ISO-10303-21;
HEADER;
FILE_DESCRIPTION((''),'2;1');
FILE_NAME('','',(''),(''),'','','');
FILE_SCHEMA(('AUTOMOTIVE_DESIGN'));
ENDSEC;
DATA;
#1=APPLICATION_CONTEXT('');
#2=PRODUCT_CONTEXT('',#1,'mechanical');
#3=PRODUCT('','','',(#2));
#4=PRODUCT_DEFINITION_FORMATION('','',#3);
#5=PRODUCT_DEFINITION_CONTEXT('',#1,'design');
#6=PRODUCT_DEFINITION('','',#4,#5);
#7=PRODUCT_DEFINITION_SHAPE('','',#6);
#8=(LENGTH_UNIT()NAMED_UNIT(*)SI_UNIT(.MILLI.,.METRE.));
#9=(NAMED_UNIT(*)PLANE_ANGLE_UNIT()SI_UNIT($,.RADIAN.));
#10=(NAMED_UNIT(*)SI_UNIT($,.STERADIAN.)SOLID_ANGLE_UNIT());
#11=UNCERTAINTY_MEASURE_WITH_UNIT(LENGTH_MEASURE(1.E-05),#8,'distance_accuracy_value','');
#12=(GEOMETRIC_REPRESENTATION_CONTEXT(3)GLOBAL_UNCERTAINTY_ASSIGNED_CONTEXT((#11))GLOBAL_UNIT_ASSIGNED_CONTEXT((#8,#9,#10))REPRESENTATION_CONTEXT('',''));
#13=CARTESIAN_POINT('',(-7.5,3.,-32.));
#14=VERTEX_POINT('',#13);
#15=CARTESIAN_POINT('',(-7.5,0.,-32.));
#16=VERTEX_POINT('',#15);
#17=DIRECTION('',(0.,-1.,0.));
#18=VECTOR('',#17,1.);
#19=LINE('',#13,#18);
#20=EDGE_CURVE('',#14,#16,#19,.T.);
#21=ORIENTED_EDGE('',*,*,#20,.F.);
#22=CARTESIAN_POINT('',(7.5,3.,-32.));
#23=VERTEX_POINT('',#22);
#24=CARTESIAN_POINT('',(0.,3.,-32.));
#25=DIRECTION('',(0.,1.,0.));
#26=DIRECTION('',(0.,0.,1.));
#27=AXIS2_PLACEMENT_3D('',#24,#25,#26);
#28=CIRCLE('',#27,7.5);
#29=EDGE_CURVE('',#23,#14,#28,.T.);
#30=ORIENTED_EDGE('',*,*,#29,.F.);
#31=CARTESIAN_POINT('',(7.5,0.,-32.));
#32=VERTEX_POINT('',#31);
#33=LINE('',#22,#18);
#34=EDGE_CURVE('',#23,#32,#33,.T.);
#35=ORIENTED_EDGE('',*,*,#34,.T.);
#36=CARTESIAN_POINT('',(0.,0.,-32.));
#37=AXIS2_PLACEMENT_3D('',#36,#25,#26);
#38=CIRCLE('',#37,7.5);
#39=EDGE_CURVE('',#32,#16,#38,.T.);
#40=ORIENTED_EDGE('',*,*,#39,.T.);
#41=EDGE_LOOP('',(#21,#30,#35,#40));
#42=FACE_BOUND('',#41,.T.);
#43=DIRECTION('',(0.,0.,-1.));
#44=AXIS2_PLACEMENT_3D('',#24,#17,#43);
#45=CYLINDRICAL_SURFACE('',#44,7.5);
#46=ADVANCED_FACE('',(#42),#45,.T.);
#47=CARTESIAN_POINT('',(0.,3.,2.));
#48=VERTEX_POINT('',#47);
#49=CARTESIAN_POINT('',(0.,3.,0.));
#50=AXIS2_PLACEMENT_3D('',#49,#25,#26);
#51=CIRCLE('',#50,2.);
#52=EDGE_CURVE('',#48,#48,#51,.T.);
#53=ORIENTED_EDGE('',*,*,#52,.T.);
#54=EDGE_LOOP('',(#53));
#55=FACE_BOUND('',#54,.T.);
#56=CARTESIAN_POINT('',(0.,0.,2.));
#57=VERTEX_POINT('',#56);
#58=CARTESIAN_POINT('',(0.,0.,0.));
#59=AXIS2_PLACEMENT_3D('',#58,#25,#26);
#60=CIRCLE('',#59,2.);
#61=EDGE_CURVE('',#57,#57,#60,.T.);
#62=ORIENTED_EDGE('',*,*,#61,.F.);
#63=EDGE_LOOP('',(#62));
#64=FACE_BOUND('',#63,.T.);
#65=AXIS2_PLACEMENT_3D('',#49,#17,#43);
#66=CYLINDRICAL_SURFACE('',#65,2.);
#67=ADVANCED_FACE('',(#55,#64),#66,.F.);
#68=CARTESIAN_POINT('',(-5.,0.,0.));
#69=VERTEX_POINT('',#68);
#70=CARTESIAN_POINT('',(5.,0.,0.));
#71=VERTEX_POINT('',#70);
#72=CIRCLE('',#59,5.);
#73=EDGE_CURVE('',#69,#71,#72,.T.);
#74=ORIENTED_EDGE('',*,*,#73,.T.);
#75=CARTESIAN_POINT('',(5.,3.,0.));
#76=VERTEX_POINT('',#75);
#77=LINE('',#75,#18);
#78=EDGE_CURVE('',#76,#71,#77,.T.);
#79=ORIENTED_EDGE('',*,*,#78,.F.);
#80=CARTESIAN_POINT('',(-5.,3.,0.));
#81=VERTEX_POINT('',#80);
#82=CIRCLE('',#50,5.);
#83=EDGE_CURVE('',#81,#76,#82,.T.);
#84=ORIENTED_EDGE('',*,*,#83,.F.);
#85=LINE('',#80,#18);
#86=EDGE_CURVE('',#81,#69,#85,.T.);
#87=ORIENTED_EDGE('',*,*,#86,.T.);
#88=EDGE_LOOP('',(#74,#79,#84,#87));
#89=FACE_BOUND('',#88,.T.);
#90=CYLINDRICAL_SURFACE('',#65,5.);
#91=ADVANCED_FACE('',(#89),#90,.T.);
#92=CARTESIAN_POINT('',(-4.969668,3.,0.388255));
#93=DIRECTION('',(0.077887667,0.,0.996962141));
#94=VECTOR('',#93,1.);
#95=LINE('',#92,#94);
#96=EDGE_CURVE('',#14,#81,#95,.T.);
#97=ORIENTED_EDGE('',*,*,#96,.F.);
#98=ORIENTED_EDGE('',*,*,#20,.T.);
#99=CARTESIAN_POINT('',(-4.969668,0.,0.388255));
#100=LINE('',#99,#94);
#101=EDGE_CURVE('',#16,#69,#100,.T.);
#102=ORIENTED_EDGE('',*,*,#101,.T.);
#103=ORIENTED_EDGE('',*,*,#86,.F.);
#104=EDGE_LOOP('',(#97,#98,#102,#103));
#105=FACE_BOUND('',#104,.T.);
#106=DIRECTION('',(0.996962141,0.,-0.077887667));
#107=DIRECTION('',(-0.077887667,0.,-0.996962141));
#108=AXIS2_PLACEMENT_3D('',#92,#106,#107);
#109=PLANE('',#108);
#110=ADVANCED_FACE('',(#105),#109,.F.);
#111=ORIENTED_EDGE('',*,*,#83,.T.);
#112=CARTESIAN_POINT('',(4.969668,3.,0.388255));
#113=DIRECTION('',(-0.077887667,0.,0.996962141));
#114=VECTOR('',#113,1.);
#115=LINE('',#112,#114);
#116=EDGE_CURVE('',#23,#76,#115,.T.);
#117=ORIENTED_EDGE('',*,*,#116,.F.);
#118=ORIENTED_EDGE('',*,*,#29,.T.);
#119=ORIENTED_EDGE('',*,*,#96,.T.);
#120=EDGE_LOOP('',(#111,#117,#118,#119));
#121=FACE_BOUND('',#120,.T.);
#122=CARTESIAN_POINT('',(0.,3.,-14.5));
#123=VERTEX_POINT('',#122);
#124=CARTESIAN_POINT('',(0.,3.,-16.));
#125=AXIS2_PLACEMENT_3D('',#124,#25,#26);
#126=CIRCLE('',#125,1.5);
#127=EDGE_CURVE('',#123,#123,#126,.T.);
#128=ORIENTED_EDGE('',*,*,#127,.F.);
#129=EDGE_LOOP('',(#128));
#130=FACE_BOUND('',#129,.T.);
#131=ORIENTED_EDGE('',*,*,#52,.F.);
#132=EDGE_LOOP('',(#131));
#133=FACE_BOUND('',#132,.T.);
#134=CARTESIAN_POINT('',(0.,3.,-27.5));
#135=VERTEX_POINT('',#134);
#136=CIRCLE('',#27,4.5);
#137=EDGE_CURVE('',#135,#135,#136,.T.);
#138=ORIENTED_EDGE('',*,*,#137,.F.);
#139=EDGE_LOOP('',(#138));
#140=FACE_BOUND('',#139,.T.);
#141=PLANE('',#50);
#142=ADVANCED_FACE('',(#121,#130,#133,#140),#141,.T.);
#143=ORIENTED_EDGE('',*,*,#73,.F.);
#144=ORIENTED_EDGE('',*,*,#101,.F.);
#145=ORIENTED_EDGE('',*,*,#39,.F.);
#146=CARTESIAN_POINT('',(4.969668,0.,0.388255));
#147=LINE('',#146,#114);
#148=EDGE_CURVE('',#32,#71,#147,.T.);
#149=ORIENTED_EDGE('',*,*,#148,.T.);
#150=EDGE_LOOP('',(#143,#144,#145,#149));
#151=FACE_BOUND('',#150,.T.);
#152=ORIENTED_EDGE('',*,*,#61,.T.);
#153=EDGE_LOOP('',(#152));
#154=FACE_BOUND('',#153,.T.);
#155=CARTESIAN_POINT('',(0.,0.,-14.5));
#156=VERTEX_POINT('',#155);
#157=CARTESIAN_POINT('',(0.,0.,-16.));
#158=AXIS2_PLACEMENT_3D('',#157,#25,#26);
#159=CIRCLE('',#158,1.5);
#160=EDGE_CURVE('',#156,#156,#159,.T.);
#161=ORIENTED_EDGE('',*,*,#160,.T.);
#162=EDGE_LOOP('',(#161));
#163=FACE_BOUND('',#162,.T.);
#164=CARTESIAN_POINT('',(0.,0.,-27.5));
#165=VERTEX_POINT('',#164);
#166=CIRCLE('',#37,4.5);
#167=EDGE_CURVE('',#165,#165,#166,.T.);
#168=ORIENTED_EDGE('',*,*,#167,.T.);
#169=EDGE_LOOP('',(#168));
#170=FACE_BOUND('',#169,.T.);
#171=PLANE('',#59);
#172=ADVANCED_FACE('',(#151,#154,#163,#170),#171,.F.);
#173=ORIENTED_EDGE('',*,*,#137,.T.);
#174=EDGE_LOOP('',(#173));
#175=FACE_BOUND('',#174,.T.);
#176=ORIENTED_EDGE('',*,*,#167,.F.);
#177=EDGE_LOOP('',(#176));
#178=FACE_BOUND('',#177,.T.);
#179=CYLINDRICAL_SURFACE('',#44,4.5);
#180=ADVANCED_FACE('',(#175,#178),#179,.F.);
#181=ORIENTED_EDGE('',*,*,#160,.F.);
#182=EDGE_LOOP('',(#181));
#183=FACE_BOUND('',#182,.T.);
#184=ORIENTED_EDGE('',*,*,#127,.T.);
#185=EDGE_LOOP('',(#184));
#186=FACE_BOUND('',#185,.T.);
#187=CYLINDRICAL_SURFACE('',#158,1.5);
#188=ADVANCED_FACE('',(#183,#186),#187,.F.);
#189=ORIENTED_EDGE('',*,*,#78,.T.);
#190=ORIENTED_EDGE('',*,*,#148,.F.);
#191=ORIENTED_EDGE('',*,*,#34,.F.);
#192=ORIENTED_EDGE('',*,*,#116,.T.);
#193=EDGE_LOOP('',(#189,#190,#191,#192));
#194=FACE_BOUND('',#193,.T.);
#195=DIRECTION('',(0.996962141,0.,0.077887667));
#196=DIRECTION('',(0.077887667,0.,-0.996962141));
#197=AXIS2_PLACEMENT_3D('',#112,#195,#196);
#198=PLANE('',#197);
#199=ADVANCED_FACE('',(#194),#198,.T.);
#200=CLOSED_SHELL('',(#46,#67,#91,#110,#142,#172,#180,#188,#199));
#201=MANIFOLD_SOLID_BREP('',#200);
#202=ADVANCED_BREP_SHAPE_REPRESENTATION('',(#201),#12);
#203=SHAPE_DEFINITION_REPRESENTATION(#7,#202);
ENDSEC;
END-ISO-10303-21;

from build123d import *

# Parameters (mm, degrees)
SKETCH_1_R          = 4.5
SKETCH_1_R_2        = 5
SKETCH_1_R_3        = 2
EXTRUDE_1_DEPTH     = 3
SKETCH_2_R          = 1.5
CUT_EXTRUDE_1_DEPTH = 41.317490001


with BuildPart() as part:
    # 草图1 → 凸台-拉伸1 (new body)
    # profile 1 of 3: a face of its own
    with BuildSketch(Plane(origin=(0, 0, 0), x_dir=(1, 0, 0), z_dir=(0, 1, 0))):
        with BuildLine():
            ThreePointArc((7.5, 32), (0, 39.5), (-7.5, 32))
            Line((-7.5, 32), (-7.409002669, 30.835234166))
            ThreePointArc((-7.409002669, 30.835234166), (0, 24.5), (7.409002669, 30.835234166))
            Line((7.409002669, 30.835234166), (7.5, 32))
        make_face()
        with Locations(Location((0, 32, 0), (0, 0, 270))):
            Circle(SKETCH_1_R, mode=Mode.SUBTRACT)
    # profile 2 of 3: a face of its own
    with BuildSketch(Plane(origin=(0, 0, 0), x_dir=(1, 0, 0), z_dir=(0, 1, 0))):
        Circle(SKETCH_1_R_2)
        with Locations(Location((0, 0, 0), (0, 0, 270))):
            Circle(SKETCH_1_R_3, mode=Mode.SUBTRACT)
    # profile 3 of 3: a face of its own
    with BuildSketch(Plane(origin=(0, 0, 0), x_dir=(1, 0, 0), z_dir=(0, 1, 0))):
        with BuildLine():
            ThreePointArc((7.409002669, 30.835234166), (0, 24.5), (-7.409002669, 30.835234166))
            Line((-7.409002669, 30.835234166), (-5, 0))
            ThreePointArc((-5, 0), (0, 5), (5, 0))
            Line((5, 0), (7.409002669, 30.835234166))
        make_face()
    extrude(amount=EXTRUDE_1_DEPTH)

    # 草图2 → 切除-拉伸1 (cut, through all)
    with BuildSketch(Plane(origin=(0, 3, 0), x_dir=(1, 0, 0), z_dir=(0, 1, 0))):
        with Locations(Location((0, 16, 0), (0, 0, 270))):
            Circle(SKETCH_2_R)
    extrude(amount=-CUT_EXTRUDE_1_DEPTH, mode=Mode.SUBTRACT)


solid = part.part
